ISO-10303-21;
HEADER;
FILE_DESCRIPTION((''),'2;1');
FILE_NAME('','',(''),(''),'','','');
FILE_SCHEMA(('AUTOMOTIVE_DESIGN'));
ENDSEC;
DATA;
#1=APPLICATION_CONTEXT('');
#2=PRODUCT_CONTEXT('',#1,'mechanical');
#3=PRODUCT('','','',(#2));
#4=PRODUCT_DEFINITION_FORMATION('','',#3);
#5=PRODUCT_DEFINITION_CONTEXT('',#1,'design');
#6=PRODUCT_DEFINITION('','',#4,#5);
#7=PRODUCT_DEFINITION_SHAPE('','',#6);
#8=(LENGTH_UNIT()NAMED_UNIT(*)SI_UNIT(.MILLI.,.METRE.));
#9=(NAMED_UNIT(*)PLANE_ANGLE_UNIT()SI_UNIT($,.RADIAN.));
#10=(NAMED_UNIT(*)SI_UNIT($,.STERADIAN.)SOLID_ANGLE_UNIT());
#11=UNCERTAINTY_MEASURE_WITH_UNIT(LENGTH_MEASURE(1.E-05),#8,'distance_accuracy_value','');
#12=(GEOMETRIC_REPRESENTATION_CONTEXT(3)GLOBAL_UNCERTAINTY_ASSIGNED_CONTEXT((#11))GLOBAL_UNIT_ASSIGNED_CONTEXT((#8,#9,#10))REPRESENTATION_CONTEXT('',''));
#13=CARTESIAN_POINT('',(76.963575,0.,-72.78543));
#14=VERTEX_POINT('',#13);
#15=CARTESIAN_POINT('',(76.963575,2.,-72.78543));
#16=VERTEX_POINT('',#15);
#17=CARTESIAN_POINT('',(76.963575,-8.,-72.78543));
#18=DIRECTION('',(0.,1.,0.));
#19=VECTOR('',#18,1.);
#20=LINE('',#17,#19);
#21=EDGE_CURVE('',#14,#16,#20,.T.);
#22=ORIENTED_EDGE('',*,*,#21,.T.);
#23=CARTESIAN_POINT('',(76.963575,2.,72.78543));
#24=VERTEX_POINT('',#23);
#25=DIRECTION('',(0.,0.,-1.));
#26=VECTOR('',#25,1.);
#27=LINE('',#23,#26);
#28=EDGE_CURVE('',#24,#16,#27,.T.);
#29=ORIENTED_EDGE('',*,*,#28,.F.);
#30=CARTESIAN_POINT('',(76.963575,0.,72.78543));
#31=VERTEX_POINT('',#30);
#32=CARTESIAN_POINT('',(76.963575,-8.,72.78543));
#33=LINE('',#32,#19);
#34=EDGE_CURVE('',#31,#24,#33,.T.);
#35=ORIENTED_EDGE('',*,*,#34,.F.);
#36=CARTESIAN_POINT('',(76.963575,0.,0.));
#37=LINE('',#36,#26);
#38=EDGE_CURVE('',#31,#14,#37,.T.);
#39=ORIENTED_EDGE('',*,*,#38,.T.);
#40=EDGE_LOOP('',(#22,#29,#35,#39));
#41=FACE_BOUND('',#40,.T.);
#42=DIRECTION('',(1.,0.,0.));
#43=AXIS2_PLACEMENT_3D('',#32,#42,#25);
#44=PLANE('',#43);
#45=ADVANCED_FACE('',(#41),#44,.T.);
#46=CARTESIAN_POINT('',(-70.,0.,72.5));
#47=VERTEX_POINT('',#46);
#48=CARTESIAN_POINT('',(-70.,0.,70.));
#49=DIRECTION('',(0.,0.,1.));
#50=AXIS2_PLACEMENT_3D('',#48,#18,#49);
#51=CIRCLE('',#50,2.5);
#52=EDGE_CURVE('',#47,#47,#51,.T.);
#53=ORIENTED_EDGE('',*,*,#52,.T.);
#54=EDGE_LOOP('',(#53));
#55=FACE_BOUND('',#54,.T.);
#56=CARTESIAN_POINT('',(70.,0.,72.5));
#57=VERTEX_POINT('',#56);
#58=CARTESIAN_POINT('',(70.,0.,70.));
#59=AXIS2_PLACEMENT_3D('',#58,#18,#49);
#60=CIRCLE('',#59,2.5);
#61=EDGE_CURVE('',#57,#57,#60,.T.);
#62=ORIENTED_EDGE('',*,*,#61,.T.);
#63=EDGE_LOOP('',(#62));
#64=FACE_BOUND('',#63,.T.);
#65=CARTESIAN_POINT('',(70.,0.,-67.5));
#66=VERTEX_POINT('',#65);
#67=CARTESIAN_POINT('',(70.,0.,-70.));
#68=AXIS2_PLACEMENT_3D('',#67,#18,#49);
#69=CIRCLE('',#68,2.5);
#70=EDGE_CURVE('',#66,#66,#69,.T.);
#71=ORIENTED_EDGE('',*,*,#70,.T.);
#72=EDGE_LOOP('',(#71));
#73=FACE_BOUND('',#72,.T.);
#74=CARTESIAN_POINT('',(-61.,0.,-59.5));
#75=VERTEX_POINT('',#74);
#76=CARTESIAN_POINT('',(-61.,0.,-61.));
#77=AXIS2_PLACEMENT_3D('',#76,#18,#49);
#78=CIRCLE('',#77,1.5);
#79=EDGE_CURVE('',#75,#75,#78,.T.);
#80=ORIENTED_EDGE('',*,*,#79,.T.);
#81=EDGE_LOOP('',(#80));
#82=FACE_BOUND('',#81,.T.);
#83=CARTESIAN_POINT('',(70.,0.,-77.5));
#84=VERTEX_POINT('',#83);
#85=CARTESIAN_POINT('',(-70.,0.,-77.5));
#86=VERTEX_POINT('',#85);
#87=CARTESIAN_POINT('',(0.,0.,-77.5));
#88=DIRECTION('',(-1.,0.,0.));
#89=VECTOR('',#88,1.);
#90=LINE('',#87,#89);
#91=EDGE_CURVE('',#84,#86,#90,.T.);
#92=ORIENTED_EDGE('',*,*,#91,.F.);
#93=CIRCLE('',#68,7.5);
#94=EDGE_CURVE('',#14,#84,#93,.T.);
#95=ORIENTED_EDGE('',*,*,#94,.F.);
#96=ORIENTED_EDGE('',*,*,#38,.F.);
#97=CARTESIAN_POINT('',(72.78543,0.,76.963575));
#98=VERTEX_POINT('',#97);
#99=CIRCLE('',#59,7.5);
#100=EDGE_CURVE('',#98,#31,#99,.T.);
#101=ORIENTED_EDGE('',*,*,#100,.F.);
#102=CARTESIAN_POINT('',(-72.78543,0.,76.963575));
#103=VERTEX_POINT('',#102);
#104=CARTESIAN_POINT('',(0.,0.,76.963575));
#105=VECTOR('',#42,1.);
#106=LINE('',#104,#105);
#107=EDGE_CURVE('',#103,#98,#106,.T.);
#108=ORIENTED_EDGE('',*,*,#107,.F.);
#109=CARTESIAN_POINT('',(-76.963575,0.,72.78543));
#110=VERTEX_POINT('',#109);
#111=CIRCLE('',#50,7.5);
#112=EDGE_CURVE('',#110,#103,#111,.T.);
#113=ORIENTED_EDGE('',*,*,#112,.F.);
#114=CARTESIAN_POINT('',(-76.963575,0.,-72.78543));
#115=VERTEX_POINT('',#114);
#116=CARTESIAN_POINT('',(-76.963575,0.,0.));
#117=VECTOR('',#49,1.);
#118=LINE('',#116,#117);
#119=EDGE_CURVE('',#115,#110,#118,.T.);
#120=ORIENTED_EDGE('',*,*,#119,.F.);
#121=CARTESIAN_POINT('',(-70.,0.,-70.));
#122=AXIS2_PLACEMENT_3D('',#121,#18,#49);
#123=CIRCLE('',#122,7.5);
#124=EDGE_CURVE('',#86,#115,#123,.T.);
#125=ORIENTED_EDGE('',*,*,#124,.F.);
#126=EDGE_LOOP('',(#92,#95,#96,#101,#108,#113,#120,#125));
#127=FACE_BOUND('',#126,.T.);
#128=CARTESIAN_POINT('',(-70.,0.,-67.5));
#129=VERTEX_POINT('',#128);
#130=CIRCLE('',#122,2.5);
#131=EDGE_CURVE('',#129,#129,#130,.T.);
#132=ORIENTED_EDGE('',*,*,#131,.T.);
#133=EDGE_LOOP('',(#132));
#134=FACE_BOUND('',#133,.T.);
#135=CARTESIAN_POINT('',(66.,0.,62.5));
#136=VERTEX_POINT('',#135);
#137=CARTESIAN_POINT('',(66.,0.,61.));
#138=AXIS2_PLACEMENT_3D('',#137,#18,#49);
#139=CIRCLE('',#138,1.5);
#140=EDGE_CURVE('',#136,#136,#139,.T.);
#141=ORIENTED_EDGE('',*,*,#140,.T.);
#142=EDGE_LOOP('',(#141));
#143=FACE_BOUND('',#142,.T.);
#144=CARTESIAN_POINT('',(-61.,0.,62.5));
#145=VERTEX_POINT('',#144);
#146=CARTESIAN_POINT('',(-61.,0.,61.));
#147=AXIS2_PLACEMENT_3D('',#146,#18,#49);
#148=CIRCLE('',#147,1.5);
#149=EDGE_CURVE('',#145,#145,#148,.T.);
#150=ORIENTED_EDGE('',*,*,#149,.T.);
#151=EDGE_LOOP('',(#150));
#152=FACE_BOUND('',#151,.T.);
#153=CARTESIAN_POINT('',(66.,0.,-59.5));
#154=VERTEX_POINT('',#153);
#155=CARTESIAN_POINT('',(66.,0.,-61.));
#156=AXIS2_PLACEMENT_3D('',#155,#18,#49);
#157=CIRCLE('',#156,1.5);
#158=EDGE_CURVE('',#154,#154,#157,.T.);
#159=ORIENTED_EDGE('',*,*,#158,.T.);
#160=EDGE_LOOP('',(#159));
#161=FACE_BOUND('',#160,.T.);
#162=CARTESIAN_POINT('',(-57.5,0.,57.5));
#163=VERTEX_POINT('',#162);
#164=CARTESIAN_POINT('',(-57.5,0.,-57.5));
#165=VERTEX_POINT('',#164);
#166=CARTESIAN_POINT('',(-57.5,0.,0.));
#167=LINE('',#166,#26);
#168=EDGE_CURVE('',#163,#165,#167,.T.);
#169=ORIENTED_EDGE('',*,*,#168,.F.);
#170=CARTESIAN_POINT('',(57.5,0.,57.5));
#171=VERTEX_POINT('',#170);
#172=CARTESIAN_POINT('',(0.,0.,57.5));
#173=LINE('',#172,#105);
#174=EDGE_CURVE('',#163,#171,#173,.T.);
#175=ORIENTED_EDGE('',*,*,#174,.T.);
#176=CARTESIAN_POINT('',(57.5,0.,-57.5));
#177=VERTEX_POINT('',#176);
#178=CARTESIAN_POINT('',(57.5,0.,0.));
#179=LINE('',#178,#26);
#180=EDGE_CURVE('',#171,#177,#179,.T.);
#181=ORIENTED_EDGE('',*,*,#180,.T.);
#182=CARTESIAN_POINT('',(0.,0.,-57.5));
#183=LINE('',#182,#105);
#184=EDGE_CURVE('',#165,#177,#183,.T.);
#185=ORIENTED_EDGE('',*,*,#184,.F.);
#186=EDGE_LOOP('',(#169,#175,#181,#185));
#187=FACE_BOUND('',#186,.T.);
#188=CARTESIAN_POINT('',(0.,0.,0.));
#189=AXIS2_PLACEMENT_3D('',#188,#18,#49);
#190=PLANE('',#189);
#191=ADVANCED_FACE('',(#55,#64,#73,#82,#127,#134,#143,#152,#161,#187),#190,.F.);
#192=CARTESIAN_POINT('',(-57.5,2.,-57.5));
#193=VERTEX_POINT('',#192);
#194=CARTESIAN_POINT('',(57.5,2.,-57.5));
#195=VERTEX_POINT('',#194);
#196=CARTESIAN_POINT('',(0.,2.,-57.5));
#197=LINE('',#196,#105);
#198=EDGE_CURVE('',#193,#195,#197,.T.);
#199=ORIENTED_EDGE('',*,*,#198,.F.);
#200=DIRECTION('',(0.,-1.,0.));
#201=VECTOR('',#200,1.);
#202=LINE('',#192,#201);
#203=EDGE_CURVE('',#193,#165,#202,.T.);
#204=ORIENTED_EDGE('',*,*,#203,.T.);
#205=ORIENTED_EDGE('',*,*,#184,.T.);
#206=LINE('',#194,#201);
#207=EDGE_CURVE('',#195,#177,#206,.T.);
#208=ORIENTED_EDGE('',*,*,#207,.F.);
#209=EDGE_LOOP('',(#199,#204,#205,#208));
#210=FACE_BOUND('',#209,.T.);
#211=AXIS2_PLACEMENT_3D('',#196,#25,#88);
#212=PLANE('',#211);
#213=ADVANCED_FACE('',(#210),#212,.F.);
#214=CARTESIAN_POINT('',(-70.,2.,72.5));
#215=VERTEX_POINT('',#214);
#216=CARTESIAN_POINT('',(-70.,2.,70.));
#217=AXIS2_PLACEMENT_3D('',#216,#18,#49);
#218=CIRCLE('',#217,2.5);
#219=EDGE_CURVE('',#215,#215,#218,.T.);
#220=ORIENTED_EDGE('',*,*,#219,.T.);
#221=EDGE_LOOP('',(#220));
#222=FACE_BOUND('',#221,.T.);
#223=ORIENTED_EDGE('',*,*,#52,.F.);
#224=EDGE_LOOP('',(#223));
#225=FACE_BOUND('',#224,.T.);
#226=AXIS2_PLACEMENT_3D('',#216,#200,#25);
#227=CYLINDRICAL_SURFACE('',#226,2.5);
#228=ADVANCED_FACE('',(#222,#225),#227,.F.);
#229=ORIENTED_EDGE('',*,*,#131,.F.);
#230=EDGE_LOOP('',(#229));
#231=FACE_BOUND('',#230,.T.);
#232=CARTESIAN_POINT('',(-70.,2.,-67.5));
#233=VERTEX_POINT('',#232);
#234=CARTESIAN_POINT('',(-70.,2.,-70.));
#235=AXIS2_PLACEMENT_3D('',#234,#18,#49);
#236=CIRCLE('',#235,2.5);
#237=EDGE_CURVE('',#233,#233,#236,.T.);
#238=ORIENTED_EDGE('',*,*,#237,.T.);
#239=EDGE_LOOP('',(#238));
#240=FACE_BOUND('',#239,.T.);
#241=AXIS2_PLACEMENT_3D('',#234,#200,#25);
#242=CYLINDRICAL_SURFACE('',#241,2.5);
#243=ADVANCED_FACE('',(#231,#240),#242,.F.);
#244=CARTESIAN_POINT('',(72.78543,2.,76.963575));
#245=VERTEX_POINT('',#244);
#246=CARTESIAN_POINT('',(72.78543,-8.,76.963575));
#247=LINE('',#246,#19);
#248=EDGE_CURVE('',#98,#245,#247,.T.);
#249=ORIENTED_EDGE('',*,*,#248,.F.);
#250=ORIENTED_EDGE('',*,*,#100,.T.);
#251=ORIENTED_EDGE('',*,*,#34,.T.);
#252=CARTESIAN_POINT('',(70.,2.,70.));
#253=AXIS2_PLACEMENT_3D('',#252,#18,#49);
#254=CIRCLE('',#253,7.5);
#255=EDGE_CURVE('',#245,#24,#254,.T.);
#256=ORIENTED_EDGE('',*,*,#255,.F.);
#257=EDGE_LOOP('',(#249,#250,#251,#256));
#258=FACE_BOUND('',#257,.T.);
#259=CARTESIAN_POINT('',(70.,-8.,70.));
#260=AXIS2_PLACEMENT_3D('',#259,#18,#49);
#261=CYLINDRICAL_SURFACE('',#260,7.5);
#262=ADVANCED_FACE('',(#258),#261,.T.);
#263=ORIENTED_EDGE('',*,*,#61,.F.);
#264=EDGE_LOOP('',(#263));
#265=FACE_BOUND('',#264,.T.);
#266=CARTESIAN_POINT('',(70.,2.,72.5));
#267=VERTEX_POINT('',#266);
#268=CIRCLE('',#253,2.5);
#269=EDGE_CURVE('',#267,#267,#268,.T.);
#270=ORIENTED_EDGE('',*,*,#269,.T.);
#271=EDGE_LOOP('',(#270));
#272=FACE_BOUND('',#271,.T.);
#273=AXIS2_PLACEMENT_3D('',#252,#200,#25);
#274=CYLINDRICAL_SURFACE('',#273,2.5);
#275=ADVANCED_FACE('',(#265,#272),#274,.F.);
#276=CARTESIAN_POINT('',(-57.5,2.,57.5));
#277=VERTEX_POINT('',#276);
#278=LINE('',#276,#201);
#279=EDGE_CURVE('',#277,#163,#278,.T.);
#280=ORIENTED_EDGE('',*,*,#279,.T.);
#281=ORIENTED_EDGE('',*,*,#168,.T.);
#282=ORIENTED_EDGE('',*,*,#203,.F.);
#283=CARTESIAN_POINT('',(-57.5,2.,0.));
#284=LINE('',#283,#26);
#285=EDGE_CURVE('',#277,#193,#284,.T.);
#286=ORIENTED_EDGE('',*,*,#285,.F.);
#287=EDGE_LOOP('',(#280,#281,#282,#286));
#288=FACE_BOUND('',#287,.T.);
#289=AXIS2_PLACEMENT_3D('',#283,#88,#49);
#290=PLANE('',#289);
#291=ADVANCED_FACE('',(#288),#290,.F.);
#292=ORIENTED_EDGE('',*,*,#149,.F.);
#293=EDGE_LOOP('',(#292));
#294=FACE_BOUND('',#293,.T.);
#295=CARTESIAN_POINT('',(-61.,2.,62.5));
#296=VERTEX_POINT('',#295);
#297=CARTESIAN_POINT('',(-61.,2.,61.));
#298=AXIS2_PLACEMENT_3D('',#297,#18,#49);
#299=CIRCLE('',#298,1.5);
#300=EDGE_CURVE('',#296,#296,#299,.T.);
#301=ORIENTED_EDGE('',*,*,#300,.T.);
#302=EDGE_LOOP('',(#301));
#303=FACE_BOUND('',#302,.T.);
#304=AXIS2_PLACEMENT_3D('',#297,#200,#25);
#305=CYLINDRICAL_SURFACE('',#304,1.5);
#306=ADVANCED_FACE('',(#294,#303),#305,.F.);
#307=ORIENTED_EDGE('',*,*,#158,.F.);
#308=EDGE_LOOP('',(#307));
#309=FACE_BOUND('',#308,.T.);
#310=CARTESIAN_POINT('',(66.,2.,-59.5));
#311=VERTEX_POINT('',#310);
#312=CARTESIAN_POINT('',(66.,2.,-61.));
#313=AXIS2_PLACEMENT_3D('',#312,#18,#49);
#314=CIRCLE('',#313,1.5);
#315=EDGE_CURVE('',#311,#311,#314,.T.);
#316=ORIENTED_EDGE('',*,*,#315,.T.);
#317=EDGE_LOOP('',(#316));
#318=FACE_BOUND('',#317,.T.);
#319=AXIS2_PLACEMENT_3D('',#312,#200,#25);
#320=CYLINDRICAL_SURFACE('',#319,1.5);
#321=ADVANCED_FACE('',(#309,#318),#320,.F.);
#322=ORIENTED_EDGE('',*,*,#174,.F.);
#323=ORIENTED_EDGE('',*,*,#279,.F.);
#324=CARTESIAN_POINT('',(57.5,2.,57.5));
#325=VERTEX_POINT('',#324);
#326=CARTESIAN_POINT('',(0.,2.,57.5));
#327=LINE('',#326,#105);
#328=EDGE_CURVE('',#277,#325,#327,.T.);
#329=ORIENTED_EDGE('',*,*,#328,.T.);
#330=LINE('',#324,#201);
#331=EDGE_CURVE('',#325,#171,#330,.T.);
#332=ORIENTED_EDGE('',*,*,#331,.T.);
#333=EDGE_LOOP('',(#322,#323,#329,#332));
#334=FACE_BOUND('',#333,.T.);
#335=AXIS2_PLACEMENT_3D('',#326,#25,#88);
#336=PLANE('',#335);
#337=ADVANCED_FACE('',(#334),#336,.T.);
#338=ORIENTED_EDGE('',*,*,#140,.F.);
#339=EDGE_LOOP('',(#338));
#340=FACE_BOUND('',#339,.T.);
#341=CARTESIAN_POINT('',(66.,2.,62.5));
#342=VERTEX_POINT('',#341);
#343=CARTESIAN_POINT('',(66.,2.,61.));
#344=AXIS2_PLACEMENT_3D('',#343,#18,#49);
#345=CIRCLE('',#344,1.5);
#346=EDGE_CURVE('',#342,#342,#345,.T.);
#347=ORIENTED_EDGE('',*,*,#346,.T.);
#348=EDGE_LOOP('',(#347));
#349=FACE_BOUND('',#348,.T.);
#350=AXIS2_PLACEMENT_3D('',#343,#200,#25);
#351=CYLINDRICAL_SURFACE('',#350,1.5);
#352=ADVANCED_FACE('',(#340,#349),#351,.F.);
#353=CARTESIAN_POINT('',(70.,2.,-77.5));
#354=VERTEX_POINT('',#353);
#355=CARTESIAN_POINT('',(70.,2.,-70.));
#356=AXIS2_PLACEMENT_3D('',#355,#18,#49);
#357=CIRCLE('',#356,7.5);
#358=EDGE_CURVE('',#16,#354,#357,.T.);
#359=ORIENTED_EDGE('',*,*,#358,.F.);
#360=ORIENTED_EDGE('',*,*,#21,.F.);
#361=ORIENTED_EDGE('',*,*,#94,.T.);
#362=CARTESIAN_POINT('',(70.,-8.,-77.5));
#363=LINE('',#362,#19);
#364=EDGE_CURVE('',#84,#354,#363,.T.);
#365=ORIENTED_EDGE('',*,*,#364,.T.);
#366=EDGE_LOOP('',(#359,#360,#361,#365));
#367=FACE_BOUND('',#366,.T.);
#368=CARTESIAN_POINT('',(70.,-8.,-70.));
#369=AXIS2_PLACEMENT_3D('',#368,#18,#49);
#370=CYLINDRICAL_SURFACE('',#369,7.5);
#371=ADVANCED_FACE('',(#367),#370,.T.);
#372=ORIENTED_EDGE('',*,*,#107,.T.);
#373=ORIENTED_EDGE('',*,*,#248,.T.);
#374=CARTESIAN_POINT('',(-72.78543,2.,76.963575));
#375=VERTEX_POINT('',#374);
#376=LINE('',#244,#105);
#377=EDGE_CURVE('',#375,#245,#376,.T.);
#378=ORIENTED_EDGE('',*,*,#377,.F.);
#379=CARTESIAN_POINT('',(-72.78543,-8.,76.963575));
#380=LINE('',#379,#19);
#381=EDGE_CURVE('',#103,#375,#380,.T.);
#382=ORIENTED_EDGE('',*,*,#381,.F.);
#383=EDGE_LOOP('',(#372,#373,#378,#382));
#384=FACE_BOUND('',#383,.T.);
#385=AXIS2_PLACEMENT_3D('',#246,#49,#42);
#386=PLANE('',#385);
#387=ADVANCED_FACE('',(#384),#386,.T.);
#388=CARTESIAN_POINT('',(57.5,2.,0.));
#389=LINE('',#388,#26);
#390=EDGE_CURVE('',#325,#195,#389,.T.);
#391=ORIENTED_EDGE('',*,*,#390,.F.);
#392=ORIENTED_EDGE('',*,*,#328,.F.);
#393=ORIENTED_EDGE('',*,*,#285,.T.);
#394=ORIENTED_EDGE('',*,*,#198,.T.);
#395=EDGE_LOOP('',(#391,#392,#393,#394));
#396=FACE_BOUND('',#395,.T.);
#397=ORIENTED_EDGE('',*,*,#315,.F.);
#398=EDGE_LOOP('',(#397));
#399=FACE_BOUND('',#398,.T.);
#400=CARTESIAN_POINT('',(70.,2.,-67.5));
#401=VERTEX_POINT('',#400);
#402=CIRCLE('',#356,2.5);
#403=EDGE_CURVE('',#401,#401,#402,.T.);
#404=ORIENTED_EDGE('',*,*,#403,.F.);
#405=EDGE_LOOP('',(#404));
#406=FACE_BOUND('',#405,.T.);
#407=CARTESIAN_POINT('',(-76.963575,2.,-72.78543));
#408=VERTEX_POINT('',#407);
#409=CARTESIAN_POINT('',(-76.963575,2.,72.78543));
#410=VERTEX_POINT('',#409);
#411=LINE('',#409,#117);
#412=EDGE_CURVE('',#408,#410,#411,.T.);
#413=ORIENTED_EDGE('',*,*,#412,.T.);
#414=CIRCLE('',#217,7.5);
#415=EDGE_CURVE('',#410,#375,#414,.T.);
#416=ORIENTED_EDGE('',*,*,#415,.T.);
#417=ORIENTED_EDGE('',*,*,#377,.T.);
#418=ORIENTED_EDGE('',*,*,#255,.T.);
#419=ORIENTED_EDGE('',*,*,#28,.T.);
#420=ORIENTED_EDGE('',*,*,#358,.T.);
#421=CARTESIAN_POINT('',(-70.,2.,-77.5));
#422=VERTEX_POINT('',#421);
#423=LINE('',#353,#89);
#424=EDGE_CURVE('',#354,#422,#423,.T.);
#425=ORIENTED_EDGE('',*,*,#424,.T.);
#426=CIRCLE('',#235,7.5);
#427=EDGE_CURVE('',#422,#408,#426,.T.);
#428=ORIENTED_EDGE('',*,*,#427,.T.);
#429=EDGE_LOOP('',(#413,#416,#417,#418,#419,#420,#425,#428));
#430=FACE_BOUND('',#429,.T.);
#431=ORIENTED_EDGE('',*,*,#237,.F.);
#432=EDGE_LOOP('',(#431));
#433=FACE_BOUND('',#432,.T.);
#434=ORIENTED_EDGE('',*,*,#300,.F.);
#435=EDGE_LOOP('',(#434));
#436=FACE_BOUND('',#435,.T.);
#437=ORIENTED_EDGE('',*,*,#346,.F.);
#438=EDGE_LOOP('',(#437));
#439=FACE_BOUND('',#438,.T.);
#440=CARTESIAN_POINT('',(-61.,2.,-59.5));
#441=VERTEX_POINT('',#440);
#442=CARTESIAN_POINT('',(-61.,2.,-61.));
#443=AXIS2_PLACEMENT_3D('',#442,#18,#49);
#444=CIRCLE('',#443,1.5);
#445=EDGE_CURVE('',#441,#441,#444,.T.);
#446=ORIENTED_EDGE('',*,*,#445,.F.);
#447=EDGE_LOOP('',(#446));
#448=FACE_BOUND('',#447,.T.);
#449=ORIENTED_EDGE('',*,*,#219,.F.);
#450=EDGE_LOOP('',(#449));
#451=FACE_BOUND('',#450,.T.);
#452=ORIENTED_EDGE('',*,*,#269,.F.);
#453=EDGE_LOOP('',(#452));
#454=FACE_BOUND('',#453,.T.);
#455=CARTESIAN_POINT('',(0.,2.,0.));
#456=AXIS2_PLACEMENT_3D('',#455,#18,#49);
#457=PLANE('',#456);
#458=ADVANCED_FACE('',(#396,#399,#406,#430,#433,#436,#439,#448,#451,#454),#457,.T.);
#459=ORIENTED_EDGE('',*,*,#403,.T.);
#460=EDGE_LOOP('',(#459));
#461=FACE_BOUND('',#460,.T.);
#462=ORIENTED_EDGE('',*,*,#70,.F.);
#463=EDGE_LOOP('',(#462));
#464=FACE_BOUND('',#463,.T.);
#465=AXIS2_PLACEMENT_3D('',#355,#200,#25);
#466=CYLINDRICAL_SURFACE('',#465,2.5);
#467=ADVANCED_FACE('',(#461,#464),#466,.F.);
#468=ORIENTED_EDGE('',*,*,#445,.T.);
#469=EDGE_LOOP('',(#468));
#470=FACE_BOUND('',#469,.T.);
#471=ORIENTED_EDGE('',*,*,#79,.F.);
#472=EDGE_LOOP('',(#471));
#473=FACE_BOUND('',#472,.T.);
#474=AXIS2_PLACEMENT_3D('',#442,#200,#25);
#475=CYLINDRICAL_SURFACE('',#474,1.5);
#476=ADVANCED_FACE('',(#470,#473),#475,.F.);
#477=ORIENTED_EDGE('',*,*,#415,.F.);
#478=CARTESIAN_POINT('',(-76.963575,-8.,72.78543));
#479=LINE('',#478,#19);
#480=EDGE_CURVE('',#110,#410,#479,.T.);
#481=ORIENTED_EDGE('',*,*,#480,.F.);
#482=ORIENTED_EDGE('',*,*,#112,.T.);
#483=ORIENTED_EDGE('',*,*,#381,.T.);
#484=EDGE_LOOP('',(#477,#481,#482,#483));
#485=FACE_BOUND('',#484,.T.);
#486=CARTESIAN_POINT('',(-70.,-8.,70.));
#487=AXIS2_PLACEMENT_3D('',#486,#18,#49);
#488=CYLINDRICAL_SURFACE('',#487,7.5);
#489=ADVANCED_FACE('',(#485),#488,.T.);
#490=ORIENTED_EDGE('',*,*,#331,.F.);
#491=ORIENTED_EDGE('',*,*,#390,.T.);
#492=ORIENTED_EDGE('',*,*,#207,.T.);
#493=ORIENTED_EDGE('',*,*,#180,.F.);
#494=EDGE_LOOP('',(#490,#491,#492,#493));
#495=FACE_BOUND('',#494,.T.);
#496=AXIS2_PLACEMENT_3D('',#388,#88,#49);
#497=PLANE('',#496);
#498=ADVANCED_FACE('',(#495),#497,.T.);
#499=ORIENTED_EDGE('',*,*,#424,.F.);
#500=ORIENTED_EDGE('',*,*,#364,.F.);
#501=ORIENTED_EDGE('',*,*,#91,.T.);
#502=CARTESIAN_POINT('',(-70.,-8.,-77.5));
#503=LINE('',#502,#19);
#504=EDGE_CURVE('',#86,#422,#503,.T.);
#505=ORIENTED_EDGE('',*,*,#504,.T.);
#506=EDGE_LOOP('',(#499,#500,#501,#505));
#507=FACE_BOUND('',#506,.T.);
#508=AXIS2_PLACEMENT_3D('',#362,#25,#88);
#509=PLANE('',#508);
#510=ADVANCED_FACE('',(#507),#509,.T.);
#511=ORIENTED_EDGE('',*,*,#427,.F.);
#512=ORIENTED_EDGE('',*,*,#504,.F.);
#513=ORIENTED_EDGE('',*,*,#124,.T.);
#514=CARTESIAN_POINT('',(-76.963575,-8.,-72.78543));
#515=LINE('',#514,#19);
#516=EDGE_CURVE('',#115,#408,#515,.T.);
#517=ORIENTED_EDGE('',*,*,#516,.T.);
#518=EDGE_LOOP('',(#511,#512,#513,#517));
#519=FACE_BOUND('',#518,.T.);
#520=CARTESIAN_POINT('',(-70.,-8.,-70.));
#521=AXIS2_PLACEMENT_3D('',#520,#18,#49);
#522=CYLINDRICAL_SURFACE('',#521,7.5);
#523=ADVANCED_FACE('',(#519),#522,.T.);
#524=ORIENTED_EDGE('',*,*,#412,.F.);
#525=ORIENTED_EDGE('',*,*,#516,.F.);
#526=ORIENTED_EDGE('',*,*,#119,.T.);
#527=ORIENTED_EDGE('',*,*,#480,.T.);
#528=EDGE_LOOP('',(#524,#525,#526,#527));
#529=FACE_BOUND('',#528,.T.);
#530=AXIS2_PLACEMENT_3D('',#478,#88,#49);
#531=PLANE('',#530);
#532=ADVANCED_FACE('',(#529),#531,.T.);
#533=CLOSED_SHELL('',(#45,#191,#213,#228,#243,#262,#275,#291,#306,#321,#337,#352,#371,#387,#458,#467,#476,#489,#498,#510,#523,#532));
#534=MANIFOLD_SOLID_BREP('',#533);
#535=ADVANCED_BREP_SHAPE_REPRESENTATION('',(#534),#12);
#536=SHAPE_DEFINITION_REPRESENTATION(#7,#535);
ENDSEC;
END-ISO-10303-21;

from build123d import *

# Parameters (mm, degrees)
CROQUIS1_W              = 160
CROQUIS1_H              = 160
CROQUIS1_R              = 2.5
CROQUIS1_R_2            = 1.5
CROQUIS1_W_2            = 115
CROQUIS1_H_2            = 115
SALIENTE_EXTRUIR1_DEPTH = 2
CROQUIS3_W              = 170
CROQUIS3_H              = 170
CORTAR_EXTRUIR1_DEPTH   = 10


with BuildPart() as part:
    # Croquis1 → Saliente-Extruir1 (new body)
    with BuildSketch(Plane(origin=(0, 0, 0), x_dir=(1, 0, 0), z_dir=(0, 1, 0))):
        Rectangle(CROQUIS1_W, CROQUIS1_H)
        with Locations(Location((-70, 70, 0), (0, 0, 270))):
            Circle(CROQUIS1_R, mode=Mode.SUBTRACT)
        with Locations(Location((70, 70, 0), (0, 0, 270))):
            Circle(CROQUIS1_R, mode=Mode.SUBTRACT)
        with Locations(Location((70, -70, 0), (0, 0, 270))):
            Circle(CROQUIS1_R, mode=Mode.SUBTRACT)
        with Locations(Location((-70, -70, 0), (0, 0, 270))):
            Circle(CROQUIS1_R, mode=Mode.SUBTRACT)
        with Locations(Location((-61, 61, 0), (0, 0, 270))):
            Circle(CROQUIS1_R_2, mode=Mode.SUBTRACT)
        with Locations(Location((66, 61, 0), (0, 0, 270))):
            Circle(CROQUIS1_R_2, mode=Mode.SUBTRACT)
        with Locations(Location((66, -61, 0), (0, 0, 270))):
            Circle(CROQUIS1_R_2, mode=Mode.SUBTRACT)
        with Locations(Location((-61, -61, 0), (0, 0, 270))):
            Circle(CROQUIS1_R_2, mode=Mode.SUBTRACT)
        Rectangle(CROQUIS1_W_2, CROQUIS1_H_2, mode=Mode.SUBTRACT)
    extrude(amount=SALIENTE_EXTRUIR1_DEPTH)

    # Croquis3 → Cortar-Extruir1 (cut)
    with BuildSketch(Plane(origin=(0, 2, 0), x_dir=(1, 0, 0), z_dir=(0, 1, 0))):
        Rectangle(CROQUIS3_W, CROQUIS3_H)
        with BuildLine():
            Line((72.785430073, -76.963575182), (-72.785430073, -76.963575182))
            ThreePointArc((-72.785430073, -76.963575182), (-75.303300859, -75.303300859), (-76.963575182, -72.785430073))
            Line((-76.963575182, -72.785430073), (-76.963575182, 72.785430073))
            ThreePointArc((-76.963575182, 72.785430073), (-74.20471607, 76.210504229), (-70, 77.5))
            Line((-70, 77.5), (70, 77.5))
            ThreePointArc((70, 77.5), (74.20471607, 76.210504229), (76.963575182, 72.785430073))
            Line((76.963575182, 72.785430073), (76.963575182, -72.785430073))
            ThreePointArc((76.963575182, -72.785430073), (75.303300859, -75.303300859), (72.785430073, -76.963575182))
        make_face(mode=Mode.SUBTRACT)
    extrude(amount=-CORTAR_EXTRUIR1_DEPTH, mode=Mode.SUBTRACT)


solid = part.part
